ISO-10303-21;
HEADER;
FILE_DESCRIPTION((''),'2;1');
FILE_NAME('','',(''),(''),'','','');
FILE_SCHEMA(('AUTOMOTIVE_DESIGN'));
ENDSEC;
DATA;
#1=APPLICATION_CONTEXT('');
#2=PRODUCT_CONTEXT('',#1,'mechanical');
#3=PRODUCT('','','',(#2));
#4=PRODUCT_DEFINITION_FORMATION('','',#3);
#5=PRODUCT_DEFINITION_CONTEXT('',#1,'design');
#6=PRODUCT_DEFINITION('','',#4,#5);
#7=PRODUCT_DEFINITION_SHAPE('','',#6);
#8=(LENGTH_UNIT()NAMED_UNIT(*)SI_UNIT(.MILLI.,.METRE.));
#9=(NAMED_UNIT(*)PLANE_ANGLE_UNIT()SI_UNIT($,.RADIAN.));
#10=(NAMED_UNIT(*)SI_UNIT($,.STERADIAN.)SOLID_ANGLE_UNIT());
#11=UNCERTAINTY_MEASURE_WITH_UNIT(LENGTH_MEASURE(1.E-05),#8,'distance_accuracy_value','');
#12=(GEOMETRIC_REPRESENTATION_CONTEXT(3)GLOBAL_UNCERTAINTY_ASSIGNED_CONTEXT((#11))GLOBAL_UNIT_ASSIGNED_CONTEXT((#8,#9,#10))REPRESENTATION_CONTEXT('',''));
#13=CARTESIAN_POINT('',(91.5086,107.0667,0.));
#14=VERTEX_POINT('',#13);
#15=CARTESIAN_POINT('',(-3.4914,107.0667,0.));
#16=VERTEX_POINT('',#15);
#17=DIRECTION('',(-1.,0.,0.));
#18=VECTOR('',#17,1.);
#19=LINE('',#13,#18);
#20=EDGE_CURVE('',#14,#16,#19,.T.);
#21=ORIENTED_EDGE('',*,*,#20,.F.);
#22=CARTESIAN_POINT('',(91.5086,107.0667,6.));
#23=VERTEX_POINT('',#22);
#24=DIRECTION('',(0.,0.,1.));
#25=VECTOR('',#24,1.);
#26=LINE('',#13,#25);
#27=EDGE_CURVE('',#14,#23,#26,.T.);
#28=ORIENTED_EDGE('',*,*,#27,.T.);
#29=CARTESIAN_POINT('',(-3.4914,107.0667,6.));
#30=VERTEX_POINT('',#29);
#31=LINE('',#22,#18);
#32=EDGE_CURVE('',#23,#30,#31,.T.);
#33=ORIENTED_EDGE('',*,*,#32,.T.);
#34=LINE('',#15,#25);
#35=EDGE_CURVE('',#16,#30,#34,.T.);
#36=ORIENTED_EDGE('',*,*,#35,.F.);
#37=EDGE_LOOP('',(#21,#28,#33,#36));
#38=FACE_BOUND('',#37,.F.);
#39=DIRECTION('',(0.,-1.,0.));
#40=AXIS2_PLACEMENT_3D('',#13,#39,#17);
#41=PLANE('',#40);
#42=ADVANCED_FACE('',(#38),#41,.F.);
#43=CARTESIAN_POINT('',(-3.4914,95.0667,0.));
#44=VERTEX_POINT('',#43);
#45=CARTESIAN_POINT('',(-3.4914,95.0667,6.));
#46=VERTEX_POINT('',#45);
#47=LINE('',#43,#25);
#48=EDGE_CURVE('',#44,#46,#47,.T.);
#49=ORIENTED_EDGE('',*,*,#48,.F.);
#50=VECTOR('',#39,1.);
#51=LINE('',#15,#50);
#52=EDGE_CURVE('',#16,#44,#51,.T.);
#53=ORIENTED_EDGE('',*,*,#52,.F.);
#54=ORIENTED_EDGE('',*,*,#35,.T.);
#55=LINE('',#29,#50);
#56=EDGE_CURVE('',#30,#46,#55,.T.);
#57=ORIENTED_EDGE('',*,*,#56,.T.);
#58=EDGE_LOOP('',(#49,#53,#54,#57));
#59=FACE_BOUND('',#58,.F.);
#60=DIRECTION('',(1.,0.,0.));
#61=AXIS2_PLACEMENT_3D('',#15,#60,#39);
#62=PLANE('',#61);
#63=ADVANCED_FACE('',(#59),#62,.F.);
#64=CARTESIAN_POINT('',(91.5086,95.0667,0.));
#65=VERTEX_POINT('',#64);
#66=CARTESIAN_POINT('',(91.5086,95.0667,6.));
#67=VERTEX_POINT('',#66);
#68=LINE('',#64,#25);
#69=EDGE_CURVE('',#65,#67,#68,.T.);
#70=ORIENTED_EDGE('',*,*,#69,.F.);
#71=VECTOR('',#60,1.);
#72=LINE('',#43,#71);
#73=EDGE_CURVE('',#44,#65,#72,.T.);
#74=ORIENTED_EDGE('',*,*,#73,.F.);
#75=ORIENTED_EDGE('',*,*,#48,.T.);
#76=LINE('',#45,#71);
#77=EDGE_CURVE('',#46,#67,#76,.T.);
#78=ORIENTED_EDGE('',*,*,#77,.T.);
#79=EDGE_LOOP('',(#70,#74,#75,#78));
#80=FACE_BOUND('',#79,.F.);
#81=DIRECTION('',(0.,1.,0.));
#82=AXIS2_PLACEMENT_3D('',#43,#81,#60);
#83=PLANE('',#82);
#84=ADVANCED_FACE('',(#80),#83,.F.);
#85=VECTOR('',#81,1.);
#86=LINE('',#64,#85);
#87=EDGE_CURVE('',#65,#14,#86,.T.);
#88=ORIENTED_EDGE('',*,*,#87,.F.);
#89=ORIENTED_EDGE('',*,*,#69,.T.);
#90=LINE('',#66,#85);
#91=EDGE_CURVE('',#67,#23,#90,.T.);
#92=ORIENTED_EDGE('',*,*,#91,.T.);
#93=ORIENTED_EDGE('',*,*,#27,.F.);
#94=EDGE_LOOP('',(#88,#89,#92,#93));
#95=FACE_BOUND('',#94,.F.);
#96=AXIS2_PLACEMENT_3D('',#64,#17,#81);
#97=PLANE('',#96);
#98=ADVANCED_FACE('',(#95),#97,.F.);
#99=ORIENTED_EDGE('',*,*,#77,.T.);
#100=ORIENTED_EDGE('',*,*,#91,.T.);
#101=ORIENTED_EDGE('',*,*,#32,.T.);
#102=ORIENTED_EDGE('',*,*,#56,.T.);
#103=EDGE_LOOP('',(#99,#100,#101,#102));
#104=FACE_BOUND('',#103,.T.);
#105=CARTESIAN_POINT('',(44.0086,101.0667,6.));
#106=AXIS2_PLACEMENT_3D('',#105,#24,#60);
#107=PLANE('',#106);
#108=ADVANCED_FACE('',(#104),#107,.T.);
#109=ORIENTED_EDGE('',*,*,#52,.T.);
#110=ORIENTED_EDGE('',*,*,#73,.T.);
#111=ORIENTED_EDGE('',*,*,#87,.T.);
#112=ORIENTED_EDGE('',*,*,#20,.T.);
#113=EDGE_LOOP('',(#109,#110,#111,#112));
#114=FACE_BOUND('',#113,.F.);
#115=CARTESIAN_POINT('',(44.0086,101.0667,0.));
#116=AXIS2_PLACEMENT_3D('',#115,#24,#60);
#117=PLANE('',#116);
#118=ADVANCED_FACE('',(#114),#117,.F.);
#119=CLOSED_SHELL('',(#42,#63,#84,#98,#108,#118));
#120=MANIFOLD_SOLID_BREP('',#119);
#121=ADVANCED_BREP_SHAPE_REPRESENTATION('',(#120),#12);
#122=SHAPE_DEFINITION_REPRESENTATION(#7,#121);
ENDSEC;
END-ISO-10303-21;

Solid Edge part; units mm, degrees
sketch "Sketch1" plane through (0, 0, 0) normal (0, 0, 1) x (1, 0, 0)
  line L0 (-3.4914, 95.0667) -> (91.5086, 95.0667)
  line L1 (91.5086, 95.0667) -> (91.5086, 107.0667)
  line L2 (91.5086, 107.0667) -> (-3.4914, 107.0667)
  line L3 (-3.4914, 107.0667) -> (-3.4914, 95.0667)
  dimension "D1" = 12
  dimension "D2" = 95
extrude "Protrusion1" add sketch "Sketch1" along normal blind 6
